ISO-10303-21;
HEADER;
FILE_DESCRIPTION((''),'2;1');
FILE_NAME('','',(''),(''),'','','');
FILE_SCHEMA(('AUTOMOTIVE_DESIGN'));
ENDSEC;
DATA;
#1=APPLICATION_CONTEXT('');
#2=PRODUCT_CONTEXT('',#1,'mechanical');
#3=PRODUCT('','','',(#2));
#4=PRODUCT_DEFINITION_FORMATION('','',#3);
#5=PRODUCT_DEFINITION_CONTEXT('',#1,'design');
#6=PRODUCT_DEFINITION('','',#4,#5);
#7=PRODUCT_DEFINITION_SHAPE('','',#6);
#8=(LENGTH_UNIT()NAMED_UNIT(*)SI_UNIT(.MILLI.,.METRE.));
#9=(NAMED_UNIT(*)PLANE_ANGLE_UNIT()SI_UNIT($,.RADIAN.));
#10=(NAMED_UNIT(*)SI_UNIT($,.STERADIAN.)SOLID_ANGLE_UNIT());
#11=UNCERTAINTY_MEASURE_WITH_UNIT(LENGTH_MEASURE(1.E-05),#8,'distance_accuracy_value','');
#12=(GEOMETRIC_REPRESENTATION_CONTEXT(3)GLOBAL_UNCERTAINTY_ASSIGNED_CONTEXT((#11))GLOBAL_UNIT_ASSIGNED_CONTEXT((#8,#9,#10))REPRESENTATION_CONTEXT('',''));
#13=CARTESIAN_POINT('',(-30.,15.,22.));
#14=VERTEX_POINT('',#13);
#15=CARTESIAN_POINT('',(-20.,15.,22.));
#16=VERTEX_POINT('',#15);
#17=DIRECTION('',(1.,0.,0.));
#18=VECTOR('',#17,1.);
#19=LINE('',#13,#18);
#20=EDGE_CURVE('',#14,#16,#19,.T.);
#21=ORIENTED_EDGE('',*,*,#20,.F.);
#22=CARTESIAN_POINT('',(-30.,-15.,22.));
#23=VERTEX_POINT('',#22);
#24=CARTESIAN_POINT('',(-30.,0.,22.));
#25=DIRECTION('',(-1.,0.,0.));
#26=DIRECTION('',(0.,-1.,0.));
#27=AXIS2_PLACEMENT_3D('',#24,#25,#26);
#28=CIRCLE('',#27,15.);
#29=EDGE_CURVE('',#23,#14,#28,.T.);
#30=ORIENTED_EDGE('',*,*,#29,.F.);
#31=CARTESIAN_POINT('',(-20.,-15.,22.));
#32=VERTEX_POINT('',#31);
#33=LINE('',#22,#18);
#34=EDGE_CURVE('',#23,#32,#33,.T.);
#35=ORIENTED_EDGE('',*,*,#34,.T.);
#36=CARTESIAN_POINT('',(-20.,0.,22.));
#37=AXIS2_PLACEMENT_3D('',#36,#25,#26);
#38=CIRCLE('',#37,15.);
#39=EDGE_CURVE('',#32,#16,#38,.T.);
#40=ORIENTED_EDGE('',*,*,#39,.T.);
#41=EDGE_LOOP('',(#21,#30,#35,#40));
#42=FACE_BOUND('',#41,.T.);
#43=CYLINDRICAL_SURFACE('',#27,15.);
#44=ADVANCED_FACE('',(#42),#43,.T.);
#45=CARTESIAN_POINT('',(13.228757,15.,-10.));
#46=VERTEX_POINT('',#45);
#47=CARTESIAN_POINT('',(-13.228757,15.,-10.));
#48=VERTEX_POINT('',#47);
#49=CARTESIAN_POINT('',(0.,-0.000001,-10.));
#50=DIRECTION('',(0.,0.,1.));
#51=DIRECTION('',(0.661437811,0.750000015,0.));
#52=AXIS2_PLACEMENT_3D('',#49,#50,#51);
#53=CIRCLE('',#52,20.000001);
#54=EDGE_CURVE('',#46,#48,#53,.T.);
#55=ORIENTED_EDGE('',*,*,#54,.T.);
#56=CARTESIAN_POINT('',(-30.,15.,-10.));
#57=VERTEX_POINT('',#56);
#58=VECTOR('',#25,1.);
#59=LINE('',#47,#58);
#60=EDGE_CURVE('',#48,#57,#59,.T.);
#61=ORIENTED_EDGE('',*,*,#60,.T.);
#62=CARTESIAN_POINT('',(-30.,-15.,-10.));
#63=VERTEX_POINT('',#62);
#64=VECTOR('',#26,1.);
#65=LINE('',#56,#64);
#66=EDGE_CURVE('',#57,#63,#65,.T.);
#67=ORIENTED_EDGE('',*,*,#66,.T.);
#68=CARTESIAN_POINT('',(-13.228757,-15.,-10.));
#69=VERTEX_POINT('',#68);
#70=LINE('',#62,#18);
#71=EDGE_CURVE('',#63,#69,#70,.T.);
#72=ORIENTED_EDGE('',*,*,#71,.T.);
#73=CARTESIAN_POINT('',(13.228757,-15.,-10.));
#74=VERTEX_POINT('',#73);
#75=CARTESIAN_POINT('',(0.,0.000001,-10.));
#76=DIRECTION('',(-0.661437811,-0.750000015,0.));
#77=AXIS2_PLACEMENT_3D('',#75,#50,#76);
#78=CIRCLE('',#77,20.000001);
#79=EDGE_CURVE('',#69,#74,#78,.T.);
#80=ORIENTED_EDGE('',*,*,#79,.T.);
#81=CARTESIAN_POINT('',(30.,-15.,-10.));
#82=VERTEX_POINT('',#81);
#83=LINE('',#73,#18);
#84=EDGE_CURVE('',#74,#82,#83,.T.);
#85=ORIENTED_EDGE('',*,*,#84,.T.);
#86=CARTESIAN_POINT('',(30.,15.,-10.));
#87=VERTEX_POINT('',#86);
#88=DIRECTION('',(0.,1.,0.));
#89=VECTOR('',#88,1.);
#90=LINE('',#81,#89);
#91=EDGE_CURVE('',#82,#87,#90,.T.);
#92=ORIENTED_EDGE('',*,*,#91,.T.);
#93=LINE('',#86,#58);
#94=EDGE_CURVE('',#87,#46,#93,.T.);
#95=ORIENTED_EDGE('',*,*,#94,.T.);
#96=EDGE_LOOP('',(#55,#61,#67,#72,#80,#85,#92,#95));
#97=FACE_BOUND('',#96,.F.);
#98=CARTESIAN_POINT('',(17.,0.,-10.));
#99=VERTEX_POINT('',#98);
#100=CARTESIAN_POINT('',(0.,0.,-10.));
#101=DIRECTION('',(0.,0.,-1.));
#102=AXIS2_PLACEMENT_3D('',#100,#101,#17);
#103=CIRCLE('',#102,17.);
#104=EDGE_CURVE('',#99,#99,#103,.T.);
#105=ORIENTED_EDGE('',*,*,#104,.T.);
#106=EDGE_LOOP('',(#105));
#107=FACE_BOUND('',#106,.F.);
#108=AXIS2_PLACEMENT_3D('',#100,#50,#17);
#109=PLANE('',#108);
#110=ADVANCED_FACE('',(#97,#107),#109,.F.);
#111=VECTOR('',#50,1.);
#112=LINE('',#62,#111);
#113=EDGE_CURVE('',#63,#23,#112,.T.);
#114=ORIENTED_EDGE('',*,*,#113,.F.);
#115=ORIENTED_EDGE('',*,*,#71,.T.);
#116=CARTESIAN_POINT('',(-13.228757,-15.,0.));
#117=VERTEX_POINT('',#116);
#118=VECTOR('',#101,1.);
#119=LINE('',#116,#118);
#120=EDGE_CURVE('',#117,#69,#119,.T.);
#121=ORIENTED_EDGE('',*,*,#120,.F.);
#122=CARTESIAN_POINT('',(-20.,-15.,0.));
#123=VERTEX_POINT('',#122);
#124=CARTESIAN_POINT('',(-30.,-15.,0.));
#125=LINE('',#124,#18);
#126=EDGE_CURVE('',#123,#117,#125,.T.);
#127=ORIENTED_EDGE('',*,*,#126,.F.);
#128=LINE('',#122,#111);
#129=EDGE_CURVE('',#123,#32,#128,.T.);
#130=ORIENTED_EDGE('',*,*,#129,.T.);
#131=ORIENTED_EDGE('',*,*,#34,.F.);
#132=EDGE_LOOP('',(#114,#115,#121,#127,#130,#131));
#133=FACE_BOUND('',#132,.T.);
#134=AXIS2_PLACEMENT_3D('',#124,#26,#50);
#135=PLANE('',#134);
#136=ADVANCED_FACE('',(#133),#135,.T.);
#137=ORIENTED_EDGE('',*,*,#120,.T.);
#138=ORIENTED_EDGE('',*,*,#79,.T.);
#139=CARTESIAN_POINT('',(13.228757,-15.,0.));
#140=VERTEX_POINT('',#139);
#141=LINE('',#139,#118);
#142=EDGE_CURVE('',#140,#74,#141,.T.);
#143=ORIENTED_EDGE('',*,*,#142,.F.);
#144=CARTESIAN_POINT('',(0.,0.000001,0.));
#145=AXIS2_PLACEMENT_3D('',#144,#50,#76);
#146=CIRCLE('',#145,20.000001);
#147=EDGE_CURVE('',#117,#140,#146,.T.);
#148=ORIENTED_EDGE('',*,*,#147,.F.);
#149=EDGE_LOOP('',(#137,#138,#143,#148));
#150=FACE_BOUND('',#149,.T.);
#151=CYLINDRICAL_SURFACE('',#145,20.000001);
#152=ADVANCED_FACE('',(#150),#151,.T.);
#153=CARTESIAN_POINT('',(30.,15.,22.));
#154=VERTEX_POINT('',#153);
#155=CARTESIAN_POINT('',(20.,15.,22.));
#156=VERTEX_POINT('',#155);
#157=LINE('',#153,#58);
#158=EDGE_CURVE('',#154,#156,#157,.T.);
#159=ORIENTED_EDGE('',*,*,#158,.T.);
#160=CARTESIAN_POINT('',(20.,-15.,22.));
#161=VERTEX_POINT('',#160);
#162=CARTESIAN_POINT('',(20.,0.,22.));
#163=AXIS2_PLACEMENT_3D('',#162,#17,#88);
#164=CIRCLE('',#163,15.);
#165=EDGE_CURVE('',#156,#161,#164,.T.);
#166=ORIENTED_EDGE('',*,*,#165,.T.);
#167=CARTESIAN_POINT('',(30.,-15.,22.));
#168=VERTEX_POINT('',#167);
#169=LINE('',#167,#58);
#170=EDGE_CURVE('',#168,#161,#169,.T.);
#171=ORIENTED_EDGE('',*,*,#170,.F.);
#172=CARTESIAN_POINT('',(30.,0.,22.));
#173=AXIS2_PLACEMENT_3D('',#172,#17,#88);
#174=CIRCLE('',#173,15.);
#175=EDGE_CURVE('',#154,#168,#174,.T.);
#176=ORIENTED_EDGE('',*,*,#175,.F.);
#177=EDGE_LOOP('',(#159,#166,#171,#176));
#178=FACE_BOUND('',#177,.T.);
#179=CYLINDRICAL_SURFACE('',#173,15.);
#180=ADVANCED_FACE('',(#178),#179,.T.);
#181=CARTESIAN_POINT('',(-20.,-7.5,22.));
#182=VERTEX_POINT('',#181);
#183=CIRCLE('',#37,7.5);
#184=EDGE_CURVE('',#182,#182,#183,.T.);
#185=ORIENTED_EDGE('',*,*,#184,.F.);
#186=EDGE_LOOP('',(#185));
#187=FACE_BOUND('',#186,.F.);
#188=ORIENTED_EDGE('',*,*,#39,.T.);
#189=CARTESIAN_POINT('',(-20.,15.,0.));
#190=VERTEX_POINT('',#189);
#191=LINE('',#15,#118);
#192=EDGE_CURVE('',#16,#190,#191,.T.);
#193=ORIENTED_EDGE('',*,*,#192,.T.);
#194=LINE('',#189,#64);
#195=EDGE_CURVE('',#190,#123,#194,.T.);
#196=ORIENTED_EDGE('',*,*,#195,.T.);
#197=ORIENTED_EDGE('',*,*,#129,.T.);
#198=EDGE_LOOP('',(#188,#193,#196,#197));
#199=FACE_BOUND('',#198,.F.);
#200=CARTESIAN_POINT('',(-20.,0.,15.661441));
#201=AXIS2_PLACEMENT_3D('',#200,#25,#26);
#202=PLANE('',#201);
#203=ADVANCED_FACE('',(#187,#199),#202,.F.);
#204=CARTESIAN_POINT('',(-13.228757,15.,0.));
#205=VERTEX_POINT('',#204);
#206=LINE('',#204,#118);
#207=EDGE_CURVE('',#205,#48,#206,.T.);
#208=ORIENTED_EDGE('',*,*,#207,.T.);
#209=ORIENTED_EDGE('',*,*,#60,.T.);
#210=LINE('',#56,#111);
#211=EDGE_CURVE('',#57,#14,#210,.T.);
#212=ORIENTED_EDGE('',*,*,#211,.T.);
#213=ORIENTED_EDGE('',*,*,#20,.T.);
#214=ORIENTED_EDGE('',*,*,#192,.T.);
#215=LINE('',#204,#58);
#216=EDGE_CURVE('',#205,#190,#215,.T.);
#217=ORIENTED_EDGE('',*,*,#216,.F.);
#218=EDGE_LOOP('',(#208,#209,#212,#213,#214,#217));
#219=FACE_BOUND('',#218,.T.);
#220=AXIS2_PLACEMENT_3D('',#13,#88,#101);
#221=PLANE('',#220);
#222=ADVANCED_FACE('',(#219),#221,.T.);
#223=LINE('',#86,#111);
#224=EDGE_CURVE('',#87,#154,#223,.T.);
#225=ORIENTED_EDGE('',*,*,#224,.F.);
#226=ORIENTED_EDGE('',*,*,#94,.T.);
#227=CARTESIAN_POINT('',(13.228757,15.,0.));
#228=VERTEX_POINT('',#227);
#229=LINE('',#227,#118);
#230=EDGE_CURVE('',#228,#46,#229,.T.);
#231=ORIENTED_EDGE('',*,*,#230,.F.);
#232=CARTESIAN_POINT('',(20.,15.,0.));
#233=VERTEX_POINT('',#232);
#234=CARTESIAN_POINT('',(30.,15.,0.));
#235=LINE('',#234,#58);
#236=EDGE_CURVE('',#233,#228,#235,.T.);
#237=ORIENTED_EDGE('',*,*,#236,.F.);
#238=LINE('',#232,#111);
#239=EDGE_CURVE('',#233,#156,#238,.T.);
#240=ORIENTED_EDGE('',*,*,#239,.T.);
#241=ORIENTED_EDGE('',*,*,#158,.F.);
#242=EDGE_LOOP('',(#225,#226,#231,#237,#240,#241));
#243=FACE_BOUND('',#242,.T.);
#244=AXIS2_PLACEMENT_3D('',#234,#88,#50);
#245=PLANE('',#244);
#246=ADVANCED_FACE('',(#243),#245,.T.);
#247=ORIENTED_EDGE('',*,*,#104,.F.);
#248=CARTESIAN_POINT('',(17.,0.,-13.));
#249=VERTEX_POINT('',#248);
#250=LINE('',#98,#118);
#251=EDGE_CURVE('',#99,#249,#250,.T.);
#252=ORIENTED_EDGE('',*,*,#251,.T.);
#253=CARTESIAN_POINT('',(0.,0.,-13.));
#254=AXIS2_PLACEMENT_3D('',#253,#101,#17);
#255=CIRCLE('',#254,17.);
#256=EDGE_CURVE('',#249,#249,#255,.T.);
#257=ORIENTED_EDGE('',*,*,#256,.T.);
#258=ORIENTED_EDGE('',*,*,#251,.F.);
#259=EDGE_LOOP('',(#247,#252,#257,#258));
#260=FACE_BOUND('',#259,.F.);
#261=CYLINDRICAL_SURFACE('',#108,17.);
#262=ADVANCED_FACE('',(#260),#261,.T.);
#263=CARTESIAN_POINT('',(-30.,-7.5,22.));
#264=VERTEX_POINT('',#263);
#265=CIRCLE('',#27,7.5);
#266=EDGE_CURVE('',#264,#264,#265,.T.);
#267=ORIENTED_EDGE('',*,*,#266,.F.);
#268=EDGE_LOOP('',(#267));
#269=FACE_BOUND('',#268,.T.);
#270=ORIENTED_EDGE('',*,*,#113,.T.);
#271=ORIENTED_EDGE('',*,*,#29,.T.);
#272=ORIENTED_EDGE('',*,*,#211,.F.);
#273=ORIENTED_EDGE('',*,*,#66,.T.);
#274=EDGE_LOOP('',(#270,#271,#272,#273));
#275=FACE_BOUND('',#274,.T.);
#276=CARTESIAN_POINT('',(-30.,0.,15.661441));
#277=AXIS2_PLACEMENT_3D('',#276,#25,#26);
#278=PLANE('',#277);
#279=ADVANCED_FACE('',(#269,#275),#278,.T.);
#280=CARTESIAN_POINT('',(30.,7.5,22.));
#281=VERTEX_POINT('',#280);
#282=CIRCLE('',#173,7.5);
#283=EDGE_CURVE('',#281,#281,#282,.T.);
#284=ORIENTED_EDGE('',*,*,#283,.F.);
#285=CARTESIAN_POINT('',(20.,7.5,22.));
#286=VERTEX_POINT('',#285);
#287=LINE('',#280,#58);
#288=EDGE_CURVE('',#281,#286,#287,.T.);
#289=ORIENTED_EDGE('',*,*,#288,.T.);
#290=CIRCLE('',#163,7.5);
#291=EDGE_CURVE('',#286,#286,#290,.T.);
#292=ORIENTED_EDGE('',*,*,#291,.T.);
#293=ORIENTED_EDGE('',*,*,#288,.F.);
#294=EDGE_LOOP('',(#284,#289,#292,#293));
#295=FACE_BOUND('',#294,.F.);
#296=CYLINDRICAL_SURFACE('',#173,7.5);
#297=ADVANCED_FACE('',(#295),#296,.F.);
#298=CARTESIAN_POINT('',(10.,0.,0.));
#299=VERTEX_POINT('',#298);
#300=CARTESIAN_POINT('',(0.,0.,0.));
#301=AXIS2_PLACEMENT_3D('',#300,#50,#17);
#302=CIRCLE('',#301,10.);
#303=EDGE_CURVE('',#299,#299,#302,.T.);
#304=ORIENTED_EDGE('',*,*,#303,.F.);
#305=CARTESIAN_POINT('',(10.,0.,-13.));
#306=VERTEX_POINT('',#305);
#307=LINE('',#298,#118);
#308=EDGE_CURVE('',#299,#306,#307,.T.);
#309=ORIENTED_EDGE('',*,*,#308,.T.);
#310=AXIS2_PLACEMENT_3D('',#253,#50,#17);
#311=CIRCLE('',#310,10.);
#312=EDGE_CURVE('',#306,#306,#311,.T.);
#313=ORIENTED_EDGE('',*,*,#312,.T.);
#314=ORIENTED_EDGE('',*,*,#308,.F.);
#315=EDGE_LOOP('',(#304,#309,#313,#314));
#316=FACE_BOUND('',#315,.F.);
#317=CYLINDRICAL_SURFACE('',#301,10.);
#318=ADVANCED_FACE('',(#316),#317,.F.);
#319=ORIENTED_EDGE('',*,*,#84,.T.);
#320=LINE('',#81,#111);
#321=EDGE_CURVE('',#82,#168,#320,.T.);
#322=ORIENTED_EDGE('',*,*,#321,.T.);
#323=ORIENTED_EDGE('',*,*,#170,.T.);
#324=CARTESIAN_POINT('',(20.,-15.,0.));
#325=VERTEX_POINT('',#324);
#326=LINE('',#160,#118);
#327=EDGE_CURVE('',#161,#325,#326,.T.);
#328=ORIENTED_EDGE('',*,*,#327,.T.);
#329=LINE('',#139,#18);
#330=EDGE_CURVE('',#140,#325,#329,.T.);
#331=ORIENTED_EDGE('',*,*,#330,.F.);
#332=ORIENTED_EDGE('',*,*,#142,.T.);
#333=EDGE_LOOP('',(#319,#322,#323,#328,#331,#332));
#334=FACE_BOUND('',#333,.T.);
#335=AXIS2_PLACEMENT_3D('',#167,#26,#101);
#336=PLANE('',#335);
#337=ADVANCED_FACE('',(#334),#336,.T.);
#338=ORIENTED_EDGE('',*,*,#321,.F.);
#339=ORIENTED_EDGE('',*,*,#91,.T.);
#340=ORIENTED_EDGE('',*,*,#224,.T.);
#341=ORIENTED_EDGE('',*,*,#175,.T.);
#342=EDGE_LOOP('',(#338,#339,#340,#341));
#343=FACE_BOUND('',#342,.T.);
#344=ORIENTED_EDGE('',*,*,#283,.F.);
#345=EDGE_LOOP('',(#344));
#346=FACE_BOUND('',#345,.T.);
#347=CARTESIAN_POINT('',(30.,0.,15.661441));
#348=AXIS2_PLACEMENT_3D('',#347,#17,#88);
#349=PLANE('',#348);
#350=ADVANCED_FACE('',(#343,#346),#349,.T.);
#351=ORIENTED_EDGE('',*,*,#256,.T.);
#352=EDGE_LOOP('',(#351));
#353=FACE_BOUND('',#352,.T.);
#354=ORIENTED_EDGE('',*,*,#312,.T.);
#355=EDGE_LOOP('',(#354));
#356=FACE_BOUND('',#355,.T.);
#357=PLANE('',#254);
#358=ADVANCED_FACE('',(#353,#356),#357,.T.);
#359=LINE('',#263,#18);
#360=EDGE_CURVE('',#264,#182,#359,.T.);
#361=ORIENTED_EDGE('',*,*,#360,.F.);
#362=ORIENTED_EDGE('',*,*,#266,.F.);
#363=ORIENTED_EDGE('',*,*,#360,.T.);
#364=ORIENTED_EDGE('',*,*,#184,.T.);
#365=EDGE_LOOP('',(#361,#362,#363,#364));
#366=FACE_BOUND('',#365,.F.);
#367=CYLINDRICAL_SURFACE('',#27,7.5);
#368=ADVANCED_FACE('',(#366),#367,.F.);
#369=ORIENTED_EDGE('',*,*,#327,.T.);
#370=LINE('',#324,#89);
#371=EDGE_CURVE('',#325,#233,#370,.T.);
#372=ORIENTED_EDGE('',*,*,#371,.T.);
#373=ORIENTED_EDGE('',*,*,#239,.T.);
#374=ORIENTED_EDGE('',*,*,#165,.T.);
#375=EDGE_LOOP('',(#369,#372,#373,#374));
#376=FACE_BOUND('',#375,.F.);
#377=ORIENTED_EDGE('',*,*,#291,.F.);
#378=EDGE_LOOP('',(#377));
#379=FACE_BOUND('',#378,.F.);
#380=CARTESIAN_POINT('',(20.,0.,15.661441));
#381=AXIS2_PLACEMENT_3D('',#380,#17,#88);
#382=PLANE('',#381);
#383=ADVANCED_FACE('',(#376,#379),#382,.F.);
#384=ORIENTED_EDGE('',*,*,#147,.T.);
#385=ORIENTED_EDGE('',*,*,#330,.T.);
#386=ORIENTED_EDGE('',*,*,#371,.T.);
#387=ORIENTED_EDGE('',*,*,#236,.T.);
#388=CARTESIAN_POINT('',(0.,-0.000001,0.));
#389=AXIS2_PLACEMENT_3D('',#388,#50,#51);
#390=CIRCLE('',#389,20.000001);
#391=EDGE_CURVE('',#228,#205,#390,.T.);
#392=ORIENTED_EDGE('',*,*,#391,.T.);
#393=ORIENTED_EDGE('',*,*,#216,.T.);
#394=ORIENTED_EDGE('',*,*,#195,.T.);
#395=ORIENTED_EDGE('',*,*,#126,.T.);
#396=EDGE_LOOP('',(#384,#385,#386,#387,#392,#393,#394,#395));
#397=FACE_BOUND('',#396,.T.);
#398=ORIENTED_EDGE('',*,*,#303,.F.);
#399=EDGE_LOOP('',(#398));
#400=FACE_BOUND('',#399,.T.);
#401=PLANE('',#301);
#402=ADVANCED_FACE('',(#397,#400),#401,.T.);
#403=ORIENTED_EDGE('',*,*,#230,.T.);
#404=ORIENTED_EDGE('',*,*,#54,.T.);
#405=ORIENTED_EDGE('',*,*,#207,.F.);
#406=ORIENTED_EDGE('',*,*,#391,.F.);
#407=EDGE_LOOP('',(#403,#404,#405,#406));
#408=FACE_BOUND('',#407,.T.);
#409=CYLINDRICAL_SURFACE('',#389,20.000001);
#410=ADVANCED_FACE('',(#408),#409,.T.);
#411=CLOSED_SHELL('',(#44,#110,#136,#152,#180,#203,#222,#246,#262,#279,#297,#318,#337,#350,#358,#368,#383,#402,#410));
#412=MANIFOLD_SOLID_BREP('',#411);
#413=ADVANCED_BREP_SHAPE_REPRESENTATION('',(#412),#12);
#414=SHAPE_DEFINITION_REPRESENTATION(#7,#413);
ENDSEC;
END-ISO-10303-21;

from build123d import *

# Parameters (mm, degrees)
F1_DEPTH = 10
F2_R     = 17
F3_DEPTH = 3
F4_R     = 10
F5_DEPTH = 13.001
F6_R     = 7.5
F7_DEPTH = 10
F8_R     = 7.5
F9_DEPTH = 10


with BuildPart() as f1:
    # F0 (on Top) → F1 (new body)
    with BuildSketch(Plane.XY):
        with BuildLine():
            Line((-30, -15), (-13.228757, -15))
            ThreePointArc((-13.228757, -15), (0, -20), (13.228757, -15))
            Line((13.228757, -15), (30, -15))
            Line((30, -15), (30, 15))
            Line((30, 15), (13.228757, 15))
            ThreePointArc((13.228757, 15), (0, 20), (-13.228757, 15))
            Line((-13.228757, 15), (-30, 15))
            Line((-30, 15), (-30, -15))
        make_face()
    extrude(amount=-F1_DEPTH)

    # F2 (on face) → F3 (join)
    with BuildSketch(Plane(origin=(0, 0, -10), x_dir=(1, 0, 0), z_dir=(0, 0, -1))):
        Circle(F2_R)
    extrude(amount=F3_DEPTH)

    # F4 (on face) → F5 (cut, through all)
    with BuildSketch(Plane.XY):
        Circle(F4_R)
    extrude(amount=-F5_DEPTH, mode=Mode.SUBTRACT)

    # F6 (on face) → F7 (join)
    with BuildSketch(Plane.YZ.offset(30)):
        with BuildLine():
            Line((-15, 0), (15, 0))
            Line((15, 0), (15, 22))
            ThreePointArc((15, 22), (0, 37), (-15, 22))
            Line((-15, 22), (-15, 0))
        make_face()
        with Locations((0, 22)):
            Circle(F6_R, mode=Mode.SUBTRACT)
    extrude(amount=-F7_DEPTH)

    # F8 (on face) → F9 (join)
    with BuildSketch(Plane(origin=(-30, 0, 0), x_dir=(0, -1, 0), z_dir=(-1, 0, 0))):
        with BuildLine():
            Line((-15, 22), (-15, 0))
            Line((-15, 0), (15, 0))
            Line((15, 0), (15, 22))
            ThreePointArc((15, 22), (0, 37), (-15, 22))
        make_face()
        with Locations((0, 22)):
            Circle(F8_R, mode=Mode.SUBTRACT)
    extrude(amount=-F9_DEPTH)


solid = f1.part
